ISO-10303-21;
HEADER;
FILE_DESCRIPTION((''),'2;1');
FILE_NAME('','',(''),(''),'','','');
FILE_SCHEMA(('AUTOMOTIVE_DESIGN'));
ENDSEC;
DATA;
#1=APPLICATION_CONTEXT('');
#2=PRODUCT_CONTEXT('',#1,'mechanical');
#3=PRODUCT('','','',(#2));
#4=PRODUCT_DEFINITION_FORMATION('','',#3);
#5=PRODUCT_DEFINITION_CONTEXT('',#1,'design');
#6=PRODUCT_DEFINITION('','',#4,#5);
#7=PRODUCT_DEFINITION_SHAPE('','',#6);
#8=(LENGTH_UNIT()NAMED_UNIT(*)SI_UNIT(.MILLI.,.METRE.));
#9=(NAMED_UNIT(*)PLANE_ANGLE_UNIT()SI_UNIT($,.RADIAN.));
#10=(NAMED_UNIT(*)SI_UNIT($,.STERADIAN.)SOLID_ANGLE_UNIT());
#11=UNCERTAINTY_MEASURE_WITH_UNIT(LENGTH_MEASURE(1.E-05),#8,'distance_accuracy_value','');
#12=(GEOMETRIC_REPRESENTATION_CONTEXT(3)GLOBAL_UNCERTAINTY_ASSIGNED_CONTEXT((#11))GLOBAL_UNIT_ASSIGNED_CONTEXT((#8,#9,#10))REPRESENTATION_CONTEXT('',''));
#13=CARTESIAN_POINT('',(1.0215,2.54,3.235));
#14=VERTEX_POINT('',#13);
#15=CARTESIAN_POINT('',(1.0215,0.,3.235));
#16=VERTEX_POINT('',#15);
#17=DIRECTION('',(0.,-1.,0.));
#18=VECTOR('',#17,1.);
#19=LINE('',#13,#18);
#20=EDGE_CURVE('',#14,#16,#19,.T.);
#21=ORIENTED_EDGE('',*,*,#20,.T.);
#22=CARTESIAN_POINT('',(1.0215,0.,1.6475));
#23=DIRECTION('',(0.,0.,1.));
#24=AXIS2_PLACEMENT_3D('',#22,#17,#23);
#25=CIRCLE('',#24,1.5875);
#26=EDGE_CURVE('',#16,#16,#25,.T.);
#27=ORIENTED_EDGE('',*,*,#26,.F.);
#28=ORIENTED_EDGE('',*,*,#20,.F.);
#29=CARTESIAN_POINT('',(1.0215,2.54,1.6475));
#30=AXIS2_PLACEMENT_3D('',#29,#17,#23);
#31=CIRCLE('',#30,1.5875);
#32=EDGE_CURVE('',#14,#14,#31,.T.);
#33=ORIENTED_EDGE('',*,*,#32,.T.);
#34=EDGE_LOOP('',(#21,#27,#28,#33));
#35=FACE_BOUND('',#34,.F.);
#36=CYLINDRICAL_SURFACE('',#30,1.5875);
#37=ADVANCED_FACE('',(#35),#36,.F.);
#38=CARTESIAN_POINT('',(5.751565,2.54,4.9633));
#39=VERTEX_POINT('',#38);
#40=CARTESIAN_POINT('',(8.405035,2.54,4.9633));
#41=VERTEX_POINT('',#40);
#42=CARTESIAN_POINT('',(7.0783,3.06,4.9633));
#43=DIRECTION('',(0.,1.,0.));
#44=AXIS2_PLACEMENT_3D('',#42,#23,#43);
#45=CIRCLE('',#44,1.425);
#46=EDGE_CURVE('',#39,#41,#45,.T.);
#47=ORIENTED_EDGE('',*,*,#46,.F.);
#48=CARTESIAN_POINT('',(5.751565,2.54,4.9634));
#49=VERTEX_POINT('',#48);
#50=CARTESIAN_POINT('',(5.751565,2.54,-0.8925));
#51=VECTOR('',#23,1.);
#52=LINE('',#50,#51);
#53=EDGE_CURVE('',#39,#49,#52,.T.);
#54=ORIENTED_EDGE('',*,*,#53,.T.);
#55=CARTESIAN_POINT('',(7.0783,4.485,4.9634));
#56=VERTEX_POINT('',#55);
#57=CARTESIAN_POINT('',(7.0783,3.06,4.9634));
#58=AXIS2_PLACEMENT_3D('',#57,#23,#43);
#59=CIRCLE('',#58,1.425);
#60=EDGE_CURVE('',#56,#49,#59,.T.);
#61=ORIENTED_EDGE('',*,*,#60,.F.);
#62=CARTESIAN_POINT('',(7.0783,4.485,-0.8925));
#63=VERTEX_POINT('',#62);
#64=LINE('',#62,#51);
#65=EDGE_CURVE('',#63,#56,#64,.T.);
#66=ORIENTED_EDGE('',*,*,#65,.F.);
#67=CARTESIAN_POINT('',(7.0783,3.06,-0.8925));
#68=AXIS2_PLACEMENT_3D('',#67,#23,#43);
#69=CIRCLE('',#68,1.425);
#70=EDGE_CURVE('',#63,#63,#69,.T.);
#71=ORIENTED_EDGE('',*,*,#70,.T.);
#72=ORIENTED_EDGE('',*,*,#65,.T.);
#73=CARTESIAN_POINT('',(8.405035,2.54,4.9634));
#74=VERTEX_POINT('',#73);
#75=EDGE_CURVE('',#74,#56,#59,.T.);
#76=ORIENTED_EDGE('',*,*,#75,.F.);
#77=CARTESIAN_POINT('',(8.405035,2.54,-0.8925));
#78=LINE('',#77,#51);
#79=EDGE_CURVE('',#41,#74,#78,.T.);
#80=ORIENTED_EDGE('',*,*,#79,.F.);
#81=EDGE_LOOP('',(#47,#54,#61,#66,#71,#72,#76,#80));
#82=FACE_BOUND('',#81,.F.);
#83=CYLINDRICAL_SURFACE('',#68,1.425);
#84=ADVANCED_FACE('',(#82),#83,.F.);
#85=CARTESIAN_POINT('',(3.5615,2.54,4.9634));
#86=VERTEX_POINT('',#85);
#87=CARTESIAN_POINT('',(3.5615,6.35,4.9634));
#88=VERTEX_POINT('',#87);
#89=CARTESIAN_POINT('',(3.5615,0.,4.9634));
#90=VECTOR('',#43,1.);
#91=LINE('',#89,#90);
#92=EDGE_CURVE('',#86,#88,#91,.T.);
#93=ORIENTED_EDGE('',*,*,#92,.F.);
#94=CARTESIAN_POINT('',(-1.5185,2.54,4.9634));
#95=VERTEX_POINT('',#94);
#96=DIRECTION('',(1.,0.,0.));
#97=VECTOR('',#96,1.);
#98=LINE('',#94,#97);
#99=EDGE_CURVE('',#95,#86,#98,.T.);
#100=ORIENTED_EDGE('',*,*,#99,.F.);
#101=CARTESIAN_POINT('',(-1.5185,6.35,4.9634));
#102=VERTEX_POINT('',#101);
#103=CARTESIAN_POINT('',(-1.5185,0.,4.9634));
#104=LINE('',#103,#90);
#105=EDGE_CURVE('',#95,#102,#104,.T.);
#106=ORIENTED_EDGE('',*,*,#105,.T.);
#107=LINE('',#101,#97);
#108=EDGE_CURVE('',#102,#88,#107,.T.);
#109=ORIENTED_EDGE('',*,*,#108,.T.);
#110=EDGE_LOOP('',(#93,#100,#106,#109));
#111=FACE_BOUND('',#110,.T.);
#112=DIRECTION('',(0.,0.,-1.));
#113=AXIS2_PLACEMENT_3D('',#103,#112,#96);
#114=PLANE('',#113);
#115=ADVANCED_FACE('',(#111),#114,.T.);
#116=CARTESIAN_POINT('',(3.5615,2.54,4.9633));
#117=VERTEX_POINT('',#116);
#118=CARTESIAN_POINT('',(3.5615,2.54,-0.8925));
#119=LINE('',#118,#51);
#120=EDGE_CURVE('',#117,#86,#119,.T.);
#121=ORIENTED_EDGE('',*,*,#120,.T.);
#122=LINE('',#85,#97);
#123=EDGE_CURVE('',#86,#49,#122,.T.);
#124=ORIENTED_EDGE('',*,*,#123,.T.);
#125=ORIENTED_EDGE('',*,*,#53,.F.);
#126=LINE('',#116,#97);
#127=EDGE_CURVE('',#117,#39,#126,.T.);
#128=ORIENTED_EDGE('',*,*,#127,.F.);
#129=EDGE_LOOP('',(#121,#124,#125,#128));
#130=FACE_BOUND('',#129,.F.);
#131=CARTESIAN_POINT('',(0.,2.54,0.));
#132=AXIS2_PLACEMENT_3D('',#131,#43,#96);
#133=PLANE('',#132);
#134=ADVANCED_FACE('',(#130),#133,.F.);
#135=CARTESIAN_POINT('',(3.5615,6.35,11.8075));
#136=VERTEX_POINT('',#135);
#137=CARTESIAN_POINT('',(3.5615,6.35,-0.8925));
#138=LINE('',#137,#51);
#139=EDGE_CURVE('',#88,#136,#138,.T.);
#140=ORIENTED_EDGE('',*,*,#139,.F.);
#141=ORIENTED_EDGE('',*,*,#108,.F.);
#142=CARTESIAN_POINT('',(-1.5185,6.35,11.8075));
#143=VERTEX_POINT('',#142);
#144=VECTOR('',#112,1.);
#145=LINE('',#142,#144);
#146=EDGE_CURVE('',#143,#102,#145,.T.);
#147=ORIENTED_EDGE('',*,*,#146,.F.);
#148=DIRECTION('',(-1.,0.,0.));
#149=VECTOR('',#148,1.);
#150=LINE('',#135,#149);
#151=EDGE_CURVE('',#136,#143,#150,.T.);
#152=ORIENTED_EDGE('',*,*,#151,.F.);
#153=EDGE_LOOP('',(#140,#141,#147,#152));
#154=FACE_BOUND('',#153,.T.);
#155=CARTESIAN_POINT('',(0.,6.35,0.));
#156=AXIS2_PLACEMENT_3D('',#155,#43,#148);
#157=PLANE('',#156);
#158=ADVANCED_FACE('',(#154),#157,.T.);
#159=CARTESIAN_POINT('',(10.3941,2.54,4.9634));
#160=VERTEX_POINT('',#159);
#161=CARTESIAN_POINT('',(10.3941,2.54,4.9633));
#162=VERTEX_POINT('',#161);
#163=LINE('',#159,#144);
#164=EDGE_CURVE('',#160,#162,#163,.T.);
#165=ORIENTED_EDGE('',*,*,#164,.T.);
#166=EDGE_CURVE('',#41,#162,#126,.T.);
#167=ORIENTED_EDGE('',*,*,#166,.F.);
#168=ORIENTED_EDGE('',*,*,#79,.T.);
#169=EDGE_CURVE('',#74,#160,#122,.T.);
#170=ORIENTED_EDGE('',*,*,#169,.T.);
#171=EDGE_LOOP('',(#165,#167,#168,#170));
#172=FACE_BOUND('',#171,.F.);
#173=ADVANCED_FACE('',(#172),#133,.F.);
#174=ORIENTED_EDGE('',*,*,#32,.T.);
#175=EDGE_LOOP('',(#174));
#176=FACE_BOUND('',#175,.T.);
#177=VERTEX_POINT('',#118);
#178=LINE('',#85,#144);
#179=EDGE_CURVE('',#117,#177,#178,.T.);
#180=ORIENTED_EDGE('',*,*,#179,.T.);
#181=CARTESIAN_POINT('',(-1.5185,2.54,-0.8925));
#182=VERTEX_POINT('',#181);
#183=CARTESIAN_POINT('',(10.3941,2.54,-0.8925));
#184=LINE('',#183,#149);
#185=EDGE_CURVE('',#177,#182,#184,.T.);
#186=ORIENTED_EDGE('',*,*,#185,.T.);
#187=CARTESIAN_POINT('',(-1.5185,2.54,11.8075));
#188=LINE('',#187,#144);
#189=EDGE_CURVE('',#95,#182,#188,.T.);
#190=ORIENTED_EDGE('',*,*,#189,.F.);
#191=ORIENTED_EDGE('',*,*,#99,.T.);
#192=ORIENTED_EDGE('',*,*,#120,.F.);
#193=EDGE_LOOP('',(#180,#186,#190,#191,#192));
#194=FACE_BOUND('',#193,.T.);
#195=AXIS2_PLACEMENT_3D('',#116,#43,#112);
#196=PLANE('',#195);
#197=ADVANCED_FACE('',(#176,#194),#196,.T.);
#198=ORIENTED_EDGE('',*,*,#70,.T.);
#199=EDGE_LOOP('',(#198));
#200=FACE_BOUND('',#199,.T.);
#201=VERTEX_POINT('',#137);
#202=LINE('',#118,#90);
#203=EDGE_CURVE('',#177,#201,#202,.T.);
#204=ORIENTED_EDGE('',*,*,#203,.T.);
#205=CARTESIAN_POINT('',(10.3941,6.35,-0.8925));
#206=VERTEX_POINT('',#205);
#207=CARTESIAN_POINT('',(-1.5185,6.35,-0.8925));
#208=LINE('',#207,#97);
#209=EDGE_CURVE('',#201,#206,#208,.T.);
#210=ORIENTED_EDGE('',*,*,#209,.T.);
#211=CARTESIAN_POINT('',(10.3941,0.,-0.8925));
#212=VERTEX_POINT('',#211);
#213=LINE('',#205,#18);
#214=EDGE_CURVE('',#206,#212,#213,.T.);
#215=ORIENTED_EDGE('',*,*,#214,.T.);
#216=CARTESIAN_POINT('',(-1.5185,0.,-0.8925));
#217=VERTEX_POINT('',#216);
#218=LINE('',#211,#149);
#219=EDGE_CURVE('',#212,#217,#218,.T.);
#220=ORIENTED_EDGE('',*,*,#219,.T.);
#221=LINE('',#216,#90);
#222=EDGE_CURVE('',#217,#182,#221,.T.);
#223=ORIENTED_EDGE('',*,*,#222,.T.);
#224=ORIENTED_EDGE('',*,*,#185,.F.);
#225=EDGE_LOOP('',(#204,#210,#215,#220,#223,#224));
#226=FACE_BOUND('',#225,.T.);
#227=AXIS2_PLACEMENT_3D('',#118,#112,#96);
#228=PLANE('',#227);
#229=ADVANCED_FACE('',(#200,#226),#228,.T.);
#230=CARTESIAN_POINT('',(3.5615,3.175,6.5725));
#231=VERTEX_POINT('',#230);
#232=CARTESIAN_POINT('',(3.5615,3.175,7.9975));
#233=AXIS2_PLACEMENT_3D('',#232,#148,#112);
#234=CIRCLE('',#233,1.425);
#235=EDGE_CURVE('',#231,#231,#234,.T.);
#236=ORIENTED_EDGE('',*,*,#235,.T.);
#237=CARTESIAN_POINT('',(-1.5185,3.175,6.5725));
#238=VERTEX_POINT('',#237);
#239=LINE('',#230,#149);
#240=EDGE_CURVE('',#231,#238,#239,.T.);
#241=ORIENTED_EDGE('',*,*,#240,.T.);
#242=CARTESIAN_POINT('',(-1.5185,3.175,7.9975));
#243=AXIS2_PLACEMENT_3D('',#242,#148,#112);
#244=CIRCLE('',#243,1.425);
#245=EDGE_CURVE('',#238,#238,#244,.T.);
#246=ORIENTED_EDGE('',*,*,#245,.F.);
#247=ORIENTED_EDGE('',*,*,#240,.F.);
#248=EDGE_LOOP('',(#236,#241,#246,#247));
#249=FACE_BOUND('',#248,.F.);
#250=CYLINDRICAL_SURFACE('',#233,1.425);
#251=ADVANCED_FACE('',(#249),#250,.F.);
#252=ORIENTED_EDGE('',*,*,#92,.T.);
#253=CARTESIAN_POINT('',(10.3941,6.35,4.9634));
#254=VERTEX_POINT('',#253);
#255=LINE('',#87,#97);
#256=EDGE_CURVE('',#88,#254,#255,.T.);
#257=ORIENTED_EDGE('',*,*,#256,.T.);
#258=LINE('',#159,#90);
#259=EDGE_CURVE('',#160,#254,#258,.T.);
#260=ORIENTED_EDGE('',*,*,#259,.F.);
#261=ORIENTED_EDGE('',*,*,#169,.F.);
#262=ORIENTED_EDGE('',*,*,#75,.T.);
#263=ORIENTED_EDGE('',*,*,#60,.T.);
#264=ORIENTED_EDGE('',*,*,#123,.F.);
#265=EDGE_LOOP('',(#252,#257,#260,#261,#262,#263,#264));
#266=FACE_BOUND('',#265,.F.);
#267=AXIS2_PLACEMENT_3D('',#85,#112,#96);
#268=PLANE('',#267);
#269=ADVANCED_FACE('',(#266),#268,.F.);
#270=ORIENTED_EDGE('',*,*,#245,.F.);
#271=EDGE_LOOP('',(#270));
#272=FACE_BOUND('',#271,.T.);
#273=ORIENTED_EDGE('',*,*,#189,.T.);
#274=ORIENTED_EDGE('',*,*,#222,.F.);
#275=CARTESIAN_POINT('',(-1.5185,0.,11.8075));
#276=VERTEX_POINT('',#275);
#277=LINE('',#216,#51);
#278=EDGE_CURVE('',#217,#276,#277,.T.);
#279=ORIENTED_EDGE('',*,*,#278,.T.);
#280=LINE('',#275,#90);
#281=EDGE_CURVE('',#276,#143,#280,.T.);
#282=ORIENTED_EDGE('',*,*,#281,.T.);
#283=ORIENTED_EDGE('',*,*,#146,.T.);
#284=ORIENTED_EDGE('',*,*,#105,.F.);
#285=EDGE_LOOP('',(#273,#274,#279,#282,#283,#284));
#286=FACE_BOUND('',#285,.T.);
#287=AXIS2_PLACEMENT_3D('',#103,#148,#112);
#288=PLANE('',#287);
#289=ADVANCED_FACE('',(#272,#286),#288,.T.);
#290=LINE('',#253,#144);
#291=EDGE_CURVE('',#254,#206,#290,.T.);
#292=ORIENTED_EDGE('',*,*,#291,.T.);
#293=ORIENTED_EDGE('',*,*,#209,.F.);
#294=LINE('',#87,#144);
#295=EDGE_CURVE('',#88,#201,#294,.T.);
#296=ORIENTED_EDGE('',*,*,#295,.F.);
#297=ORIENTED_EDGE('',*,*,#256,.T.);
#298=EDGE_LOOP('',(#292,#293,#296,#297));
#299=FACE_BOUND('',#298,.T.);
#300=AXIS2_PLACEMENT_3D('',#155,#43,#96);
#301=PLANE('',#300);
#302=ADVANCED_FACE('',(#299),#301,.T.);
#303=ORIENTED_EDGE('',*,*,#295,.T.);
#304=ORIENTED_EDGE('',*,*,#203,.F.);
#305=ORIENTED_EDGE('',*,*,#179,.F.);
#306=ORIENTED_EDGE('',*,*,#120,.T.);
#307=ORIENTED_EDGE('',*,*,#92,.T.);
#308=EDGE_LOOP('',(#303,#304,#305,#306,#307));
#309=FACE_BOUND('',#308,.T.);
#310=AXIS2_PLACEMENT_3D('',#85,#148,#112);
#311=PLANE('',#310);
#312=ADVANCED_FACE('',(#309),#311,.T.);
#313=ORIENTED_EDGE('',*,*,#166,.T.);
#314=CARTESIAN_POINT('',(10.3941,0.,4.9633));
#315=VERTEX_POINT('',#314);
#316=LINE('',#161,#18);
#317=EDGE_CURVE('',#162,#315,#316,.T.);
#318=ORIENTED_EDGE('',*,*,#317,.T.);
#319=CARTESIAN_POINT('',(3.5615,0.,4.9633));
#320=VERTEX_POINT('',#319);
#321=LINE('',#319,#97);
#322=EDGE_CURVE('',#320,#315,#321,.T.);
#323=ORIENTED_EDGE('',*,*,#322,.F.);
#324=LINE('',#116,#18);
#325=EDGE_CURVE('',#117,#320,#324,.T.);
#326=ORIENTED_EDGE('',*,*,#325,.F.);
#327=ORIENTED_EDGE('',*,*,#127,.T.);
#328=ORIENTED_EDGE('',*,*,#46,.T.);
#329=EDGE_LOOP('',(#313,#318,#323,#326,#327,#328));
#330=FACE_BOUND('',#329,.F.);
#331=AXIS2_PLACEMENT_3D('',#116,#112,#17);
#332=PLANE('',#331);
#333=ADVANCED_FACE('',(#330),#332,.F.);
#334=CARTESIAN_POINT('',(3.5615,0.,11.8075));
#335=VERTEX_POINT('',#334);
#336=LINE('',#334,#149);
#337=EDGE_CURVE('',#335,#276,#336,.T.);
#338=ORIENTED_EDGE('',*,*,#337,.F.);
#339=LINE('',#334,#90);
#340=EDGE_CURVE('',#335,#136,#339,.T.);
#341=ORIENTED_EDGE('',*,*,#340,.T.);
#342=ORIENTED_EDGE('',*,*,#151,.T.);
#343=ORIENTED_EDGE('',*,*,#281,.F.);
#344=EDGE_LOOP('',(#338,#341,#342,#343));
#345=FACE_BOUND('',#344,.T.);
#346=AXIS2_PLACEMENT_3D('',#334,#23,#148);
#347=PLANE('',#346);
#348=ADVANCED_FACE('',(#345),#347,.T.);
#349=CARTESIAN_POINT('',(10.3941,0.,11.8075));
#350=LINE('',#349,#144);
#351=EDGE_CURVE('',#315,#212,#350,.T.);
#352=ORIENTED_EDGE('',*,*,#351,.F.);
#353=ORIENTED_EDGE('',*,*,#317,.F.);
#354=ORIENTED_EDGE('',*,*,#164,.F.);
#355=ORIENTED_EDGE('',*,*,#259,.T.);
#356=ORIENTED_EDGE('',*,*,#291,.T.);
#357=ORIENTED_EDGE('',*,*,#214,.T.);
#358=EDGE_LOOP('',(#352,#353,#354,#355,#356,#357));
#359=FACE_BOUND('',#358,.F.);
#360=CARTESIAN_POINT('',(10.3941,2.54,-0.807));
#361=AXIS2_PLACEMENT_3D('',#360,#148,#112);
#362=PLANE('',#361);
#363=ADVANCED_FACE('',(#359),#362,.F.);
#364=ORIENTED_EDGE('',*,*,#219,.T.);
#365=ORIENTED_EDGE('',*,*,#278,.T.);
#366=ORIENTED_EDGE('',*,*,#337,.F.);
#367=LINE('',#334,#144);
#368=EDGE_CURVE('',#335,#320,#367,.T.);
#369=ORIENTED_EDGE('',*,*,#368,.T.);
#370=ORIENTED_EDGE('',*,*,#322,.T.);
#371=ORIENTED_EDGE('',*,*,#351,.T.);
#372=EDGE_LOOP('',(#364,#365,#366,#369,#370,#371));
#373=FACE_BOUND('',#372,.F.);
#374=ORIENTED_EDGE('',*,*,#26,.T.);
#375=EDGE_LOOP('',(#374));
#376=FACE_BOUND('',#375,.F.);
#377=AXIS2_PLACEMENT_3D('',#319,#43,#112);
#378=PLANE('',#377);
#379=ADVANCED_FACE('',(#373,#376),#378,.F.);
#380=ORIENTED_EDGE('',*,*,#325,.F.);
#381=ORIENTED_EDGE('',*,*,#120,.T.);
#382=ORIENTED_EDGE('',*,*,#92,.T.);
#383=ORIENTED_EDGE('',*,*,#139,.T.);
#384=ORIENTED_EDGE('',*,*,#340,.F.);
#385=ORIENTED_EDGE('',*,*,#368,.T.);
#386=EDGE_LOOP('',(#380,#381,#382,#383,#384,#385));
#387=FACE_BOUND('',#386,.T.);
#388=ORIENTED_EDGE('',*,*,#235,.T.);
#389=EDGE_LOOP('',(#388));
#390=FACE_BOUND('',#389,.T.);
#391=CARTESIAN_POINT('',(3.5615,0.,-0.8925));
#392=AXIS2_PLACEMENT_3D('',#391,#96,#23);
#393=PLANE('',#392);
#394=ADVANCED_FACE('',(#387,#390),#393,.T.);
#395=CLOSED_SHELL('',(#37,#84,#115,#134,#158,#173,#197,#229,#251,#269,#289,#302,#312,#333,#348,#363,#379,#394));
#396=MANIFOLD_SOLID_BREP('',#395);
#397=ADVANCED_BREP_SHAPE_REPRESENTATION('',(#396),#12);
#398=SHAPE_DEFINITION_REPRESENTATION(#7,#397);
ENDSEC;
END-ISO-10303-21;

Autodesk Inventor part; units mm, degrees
ref_plane "YZ Plane" through (0, 0, 0) normal (1, 0, 0) x (0, 1, 0)
ref_plane "XZ Plane" through (0, 0, 0) normal (0, 1, 0) x (-1, 0, 0)
ref_plane "XY Plane" through (0, 0, 0) normal (0, 0, 1) x (1, 0, 0)
sketch "Sketch20" plane through (0, 0, 0) normal (0, 1, 0) x (-1, 0, 0)
  line L0 (1.5185, -0.8925) -> (-3.5615, -0.8925)
  line L1 (-3.5615, -0.8925) -> (-3.5615, 11.8075)
  line L2 (-3.5615, 11.8075) -> (1.5185, 11.8075)
  line L3 (1.5185, 11.8075) -> (1.5185, -0.8925)
  line L4 (1.5185, 4.9634) -> (-3.5615, 4.9634)
  point P0 (0, 0)
  dimension "d56" = 5.08
  dimension "d57" = 12.7
extrude "Extrusion7" add sketch "Sketch20" along normal blind 2.54 contours L0 L1 L4 L3
extrude "Extrusion8" add sketch "Sketch20" along normal blind 6.35 contours L4 L1 L2 L3
sketch "Sketch21" plane through (0, 2.54, 0) normal (0, 1, 0) x (1, 0, 0)
  line L0 (3.5615, 0.8925) -> (-1.5185, 0.8925) projected
  line L1 (-1.5185, 0.8925) -> (-1.5185, -4.9634) projected
  point P0 (0, 0)
  point P1 (1.0215, -1.6475)
  dimension "d62" = 2.54
  dimension "d63" = 2.54
hole "Hole5" at (1.0215, 2.54, 1.6475) direction (0, -1, 0) diameter 3.175 end through all
sketch "Sketch22" plane through (3.5615, 0, -0.8925) normal (1, 0, 0) x (0, 0, -1)
  line L0 (-12.7, 6.35) -> (-5.8558, 6.35) projected
  line L1 (-12.7, 0) -> (-12.7, 6.35) projected
  point P0 (-0.8925, 0)
  point P1 (-8.89, 3.175)
  dimension "d71" = 3.175
  dimension "d72" = 3.81
hole "Hole6" at (3.5615, 3.175, 7.9975) direction (-1, 0, 0) diameter 2.85 end through all thread size "M3.5x0.6" class "6H" standard "ISO Metric profile"
sketch "Sketch23" plane through (3.5615, 0, -0.8925) normal (1, 0, 0) x (0, 0, -1)
  line L0 (-5.8558, 2.54) -> (-5.8558, 6.35) projected
  line L1 (-5.8558, 2.54) -> (-5.8558, 0)
  line L2 (-12.7, 0) -> (0, 0) projected
  line L3 (-5.8558, 2.54) -> (0, 2.54) projected
  line L4 (-5.8558, 2.54) -> (0, 2.54)
  line L5 (0, 2.54) -> (0, 0)
  point P0 (-0.8925, 0)
extrude "Extrusion9" add sketch "Sketch23" along normal blind 6.8326
sketch "Sketch24" plane through (0, 2.54, 0) normal (0, 1, 0) x (1, 0, 0)
  line L0 (3.5615, -4.9634) -> (10.3941, -4.9634) projected
  line L1 (3.5615, -4.9634) -> (3.5615, 0.8925)
  line L2 (-1.5185, 0.8925) -> (10.3941, 0.8925) projected
  line L3 (3.5615, 0.8925) -> (10.3941, 0.8925)
  line L4 (3.5615, -11.8075) -> (3.5615, -4.9634) projected
  line L5 (10.3941, -4.9634) -> (3.5615, -4.9634)
  line L6 (3.5615, -4.9634) -> (10.4876, -4.9634)
  line L7 (10.4876, -4.9634) -> (10.3941, -4.9634)
  line L8 (10.3941, -4.9634) -> (10.3941, 0.807)
  line L9 (10.3941, 0.807) -> (10.3941, 0.8925)
  point P0 (0, 0)
extrude "Extrusion10" add sketch "Sketch24" along normal blind 3.81
sketch "Sketch25" plane through (-1.5185, 0, -0.8925) normal (0, 0, -1) x (-1, 0, 0)
  line L0 (-11.9126, 6.35) -> (-5.08, 6.35) projected
  line L1 (-11.9126, 0) -> (-11.9126, 6.35) projected
  point P0 (-1.5185, 0)
  point P1 (-8.5968, 3.06)
  dimension "d84" = 3.29
  dimension "d85" = 3.3158
hole "Hole7" at (7.0783, 3.06, -0.8925) direction (0, 0, 1) diameter 2.85 end through all thread size "M3.5x0.6" class "6H" standard "ISO Metric profile"
properties part number "fileholddub"
